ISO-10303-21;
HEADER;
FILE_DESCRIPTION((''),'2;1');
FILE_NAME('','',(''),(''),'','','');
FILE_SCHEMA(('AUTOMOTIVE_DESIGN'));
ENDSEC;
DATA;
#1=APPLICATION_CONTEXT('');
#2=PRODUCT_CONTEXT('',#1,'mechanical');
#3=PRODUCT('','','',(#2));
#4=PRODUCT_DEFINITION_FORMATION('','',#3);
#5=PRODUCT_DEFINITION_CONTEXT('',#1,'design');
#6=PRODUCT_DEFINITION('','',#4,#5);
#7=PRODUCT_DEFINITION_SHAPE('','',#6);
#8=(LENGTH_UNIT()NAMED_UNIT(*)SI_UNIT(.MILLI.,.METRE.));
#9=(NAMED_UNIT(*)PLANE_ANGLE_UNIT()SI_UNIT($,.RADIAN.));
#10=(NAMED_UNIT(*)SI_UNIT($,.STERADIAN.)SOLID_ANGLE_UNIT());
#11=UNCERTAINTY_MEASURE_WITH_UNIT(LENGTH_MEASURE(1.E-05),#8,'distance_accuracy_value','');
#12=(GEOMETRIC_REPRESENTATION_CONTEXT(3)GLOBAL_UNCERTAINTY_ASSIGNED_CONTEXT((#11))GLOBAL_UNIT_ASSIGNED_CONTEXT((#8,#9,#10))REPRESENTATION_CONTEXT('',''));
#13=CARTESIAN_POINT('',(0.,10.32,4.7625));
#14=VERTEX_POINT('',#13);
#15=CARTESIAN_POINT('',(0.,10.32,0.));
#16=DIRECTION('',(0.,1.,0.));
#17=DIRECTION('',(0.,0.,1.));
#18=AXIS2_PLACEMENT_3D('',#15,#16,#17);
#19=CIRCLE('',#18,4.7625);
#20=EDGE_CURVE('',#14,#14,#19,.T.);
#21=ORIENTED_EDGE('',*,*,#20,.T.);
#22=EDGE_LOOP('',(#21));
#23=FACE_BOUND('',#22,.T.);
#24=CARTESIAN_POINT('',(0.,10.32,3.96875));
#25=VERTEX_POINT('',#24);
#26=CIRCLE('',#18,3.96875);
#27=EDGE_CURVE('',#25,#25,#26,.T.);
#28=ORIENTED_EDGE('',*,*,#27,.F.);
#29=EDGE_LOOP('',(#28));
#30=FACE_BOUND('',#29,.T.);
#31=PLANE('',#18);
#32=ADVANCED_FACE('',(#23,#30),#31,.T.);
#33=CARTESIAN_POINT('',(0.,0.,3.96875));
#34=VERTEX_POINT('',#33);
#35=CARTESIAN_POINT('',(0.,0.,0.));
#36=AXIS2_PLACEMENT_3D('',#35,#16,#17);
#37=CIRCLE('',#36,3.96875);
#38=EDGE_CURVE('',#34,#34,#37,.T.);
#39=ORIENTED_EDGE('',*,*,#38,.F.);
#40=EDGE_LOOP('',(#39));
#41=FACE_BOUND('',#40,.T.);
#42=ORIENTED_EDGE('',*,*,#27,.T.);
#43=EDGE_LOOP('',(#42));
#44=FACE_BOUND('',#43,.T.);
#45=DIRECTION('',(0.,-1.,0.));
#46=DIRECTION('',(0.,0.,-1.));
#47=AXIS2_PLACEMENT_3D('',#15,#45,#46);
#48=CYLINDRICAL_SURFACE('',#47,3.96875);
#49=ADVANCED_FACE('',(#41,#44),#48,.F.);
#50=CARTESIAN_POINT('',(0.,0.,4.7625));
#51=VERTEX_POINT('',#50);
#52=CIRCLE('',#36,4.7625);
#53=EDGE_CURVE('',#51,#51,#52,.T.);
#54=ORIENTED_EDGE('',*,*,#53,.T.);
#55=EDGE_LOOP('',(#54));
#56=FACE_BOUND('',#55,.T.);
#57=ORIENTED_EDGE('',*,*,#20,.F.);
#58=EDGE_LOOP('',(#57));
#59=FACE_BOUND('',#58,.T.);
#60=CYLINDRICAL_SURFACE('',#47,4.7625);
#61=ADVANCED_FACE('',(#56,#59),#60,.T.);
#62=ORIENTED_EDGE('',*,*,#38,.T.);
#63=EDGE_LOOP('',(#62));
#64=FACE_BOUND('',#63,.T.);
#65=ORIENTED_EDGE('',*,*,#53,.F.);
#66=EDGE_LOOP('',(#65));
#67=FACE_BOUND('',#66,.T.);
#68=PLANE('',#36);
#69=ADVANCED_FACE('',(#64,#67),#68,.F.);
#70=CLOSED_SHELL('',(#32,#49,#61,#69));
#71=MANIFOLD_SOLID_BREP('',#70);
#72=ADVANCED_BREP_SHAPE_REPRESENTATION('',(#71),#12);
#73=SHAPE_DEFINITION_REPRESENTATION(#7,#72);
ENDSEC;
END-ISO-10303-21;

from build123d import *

# Parameters (mm, degrees)
SKETCH1_R           = 4.7625
SKETCH1_R_2         = 3.96875
BOSS_EXTRUDE1_DEPTH = 10.32


with BuildPart() as part:
    # Sketch1 → Boss-Extrude1 (new body)
    with BuildSketch(Plane(origin=(0, 0, 0), x_dir=(1, 0, 0), z_dir=(0, 1, 0))):
        with Locations(Location((0, 0, 0), (0, 0, 270))):
            Circle(SKETCH1_R)
        with Locations(Location((0, 0, 0), (0, 0, 270))):
            Circle(SKETCH1_R_2, mode=Mode.SUBTRACT)
    extrude(amount=BOSS_EXTRUDE1_DEPTH)


solid = part.part
